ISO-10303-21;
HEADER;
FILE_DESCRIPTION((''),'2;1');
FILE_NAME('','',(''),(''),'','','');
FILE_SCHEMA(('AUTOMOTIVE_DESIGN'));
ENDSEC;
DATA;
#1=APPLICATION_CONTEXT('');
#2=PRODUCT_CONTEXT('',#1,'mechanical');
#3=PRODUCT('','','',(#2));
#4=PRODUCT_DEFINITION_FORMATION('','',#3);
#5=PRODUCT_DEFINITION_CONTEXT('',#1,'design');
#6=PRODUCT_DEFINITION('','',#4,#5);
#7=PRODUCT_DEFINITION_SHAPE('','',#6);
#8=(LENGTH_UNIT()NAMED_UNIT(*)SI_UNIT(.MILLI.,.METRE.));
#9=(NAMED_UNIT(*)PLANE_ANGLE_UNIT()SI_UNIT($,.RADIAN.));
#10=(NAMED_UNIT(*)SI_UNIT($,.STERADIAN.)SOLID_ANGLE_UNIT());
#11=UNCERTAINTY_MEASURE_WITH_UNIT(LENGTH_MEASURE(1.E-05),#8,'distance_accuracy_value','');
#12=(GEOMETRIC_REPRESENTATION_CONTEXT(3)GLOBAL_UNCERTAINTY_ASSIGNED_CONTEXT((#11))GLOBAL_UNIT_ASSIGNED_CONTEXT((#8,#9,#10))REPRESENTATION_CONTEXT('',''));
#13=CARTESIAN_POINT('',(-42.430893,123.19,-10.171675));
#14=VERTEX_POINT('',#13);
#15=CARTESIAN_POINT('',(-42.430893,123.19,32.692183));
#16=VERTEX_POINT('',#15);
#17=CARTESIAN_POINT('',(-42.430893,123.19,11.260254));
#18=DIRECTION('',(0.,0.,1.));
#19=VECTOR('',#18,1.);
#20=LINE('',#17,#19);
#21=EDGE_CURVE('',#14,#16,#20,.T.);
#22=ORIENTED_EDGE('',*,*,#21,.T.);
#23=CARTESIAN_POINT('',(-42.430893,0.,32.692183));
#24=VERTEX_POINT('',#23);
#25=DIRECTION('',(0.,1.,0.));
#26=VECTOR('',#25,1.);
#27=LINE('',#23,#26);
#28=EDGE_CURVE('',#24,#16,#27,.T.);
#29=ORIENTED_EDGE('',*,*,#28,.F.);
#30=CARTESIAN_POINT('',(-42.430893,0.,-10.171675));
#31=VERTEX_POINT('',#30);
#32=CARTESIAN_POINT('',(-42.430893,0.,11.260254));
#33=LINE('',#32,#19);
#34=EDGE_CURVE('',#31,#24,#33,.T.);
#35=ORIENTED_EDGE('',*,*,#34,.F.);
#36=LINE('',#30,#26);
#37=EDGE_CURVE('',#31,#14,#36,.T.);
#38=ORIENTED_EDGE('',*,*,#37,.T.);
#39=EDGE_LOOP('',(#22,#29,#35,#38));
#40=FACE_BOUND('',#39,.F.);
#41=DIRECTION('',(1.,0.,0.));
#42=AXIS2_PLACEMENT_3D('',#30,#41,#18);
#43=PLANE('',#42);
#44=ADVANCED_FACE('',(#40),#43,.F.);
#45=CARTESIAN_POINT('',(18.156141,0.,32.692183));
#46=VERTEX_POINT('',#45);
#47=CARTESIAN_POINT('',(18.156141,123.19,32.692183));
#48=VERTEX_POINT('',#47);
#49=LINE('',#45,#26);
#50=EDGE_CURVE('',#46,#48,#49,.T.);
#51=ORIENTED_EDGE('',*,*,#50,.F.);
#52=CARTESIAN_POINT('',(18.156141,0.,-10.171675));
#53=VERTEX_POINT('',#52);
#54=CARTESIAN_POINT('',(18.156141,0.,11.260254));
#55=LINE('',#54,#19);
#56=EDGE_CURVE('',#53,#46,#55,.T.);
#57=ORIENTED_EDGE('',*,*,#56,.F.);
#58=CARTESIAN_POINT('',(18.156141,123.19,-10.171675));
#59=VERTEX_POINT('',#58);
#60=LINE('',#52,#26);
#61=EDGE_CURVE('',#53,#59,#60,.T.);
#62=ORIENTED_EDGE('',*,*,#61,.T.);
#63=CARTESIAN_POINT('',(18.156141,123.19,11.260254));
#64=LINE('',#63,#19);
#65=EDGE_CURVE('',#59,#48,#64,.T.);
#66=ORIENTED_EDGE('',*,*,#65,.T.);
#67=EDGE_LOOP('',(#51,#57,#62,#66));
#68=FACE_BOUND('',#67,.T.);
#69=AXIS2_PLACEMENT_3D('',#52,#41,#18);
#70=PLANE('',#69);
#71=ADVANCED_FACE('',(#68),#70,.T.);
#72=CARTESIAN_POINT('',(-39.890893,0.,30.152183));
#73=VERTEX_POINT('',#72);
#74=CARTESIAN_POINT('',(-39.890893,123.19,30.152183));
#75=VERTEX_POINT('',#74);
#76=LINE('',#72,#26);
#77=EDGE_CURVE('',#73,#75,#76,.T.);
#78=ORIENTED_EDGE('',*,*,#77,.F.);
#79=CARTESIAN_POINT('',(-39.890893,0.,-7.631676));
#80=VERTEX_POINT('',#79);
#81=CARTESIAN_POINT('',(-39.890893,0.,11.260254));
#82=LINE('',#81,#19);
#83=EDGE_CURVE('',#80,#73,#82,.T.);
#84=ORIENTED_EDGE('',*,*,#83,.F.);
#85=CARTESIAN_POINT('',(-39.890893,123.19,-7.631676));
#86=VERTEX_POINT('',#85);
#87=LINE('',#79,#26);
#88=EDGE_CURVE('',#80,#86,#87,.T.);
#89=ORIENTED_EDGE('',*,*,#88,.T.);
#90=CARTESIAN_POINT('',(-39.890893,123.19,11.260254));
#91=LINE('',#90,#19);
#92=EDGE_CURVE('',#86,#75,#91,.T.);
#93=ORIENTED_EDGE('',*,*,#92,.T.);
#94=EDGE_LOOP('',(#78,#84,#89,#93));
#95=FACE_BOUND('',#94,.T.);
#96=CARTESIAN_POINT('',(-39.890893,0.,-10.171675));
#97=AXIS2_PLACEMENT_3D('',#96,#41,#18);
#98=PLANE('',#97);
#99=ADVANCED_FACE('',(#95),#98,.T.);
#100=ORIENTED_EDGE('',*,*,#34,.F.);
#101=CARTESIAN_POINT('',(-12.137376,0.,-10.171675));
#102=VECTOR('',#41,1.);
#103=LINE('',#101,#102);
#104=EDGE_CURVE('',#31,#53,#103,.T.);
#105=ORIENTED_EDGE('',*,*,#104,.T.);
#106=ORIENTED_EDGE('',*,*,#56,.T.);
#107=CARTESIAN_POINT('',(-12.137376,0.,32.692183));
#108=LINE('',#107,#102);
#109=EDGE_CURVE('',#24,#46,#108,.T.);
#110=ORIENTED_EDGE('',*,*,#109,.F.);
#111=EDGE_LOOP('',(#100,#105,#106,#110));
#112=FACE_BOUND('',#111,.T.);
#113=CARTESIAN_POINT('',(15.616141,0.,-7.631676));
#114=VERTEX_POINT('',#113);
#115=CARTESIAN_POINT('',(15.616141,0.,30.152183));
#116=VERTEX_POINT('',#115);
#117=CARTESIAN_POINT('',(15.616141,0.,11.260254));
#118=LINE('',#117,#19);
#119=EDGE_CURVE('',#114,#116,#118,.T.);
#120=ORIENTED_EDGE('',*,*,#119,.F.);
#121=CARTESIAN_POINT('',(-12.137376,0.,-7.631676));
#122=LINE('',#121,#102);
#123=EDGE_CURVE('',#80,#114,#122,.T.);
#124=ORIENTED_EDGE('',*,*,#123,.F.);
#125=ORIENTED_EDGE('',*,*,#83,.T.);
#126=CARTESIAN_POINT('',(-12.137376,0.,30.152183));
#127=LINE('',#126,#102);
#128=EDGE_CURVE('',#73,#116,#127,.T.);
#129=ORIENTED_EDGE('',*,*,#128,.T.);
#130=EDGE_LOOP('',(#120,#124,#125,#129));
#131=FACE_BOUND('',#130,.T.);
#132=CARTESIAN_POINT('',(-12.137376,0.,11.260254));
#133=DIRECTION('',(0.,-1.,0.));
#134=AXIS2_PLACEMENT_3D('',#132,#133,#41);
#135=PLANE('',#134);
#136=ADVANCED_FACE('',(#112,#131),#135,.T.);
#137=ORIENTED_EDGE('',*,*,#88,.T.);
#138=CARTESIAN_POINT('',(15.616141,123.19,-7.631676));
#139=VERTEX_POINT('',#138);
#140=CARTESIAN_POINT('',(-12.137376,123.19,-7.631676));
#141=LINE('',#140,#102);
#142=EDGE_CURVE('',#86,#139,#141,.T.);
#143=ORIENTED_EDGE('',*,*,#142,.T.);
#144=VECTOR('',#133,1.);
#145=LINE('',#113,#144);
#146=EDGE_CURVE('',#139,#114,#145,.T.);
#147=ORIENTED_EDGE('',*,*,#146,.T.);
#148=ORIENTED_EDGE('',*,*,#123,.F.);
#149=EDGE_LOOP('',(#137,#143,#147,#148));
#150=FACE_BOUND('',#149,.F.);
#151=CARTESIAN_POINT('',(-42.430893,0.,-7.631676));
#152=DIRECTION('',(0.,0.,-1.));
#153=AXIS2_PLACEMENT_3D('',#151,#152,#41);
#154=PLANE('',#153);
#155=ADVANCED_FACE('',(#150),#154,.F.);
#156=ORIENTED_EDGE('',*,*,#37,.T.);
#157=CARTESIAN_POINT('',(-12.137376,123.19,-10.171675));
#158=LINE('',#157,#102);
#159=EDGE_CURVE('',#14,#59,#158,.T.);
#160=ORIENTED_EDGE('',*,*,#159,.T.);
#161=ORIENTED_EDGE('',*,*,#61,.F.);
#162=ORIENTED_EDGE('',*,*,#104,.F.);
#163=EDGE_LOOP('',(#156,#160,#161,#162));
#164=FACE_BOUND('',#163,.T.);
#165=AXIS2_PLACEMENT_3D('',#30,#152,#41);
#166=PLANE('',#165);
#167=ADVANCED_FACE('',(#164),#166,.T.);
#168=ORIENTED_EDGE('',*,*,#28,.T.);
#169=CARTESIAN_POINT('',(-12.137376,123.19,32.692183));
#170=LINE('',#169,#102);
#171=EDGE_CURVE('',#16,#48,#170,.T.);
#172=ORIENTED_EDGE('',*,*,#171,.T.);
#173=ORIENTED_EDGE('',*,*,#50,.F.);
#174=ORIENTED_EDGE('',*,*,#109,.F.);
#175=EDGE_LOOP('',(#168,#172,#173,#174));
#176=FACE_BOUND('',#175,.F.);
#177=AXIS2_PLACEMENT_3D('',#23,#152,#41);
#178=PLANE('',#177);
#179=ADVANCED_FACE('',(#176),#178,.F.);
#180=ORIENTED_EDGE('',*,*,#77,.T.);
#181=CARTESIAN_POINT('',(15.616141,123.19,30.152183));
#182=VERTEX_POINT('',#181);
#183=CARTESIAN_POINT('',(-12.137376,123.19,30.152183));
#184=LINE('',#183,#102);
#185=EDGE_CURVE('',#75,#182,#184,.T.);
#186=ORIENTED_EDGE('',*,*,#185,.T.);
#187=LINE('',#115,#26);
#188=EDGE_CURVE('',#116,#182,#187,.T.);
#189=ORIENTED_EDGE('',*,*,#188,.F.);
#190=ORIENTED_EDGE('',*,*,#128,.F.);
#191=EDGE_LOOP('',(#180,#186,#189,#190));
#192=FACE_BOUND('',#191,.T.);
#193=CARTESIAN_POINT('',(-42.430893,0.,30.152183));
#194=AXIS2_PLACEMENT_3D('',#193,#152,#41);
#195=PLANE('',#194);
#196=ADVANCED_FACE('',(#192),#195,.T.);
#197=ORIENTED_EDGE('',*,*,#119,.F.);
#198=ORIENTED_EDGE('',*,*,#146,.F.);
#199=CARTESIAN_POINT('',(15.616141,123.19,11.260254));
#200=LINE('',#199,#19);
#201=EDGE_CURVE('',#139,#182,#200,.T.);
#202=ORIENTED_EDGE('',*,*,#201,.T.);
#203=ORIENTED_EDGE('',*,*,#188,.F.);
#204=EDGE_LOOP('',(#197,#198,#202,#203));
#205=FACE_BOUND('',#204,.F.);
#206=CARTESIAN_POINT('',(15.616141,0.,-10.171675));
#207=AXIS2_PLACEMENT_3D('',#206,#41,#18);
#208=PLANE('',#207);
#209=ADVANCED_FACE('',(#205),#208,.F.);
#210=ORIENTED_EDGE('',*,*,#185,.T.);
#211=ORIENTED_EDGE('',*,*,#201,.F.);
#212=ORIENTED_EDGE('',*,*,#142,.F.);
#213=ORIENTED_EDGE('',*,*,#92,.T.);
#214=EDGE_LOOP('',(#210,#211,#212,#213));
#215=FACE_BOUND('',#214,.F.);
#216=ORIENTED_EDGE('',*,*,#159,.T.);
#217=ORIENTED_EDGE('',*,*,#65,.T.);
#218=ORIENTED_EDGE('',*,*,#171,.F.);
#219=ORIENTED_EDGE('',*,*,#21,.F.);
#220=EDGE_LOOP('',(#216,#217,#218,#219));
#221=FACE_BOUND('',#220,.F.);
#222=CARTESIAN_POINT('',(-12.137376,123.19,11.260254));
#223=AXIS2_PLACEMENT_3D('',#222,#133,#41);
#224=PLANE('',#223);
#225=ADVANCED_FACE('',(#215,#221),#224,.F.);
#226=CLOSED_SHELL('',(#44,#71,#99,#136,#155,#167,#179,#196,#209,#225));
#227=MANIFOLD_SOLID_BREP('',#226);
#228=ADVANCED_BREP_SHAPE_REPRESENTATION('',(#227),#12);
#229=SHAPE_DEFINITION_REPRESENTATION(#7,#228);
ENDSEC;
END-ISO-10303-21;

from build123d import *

# Parameters (mm, degrees)
F0_W     = 60.587034
F0_H     = 42.863859
F1_DEPTH = 123.19
F2_T     = -2.54


with BuildPart() as f1:
    # F0 (on Front) → F1 (new body)
    with BuildSketch(Plane.XZ):
        with Locations((-12.137376, 11.260254)):
            Rectangle(F0_W, F0_H)
    extrude(amount=-F1_DEPTH)

    # F2
    f2_openings = [f1.faces().sort_by_distance(p)[0] for p in [
        (-12.137376, 0, 11.260253),
        (-12.137376, 123.19, 11.260253),
    ]]
    offset(amount=F2_T, openings=f2_openings)


solid = f1.part
